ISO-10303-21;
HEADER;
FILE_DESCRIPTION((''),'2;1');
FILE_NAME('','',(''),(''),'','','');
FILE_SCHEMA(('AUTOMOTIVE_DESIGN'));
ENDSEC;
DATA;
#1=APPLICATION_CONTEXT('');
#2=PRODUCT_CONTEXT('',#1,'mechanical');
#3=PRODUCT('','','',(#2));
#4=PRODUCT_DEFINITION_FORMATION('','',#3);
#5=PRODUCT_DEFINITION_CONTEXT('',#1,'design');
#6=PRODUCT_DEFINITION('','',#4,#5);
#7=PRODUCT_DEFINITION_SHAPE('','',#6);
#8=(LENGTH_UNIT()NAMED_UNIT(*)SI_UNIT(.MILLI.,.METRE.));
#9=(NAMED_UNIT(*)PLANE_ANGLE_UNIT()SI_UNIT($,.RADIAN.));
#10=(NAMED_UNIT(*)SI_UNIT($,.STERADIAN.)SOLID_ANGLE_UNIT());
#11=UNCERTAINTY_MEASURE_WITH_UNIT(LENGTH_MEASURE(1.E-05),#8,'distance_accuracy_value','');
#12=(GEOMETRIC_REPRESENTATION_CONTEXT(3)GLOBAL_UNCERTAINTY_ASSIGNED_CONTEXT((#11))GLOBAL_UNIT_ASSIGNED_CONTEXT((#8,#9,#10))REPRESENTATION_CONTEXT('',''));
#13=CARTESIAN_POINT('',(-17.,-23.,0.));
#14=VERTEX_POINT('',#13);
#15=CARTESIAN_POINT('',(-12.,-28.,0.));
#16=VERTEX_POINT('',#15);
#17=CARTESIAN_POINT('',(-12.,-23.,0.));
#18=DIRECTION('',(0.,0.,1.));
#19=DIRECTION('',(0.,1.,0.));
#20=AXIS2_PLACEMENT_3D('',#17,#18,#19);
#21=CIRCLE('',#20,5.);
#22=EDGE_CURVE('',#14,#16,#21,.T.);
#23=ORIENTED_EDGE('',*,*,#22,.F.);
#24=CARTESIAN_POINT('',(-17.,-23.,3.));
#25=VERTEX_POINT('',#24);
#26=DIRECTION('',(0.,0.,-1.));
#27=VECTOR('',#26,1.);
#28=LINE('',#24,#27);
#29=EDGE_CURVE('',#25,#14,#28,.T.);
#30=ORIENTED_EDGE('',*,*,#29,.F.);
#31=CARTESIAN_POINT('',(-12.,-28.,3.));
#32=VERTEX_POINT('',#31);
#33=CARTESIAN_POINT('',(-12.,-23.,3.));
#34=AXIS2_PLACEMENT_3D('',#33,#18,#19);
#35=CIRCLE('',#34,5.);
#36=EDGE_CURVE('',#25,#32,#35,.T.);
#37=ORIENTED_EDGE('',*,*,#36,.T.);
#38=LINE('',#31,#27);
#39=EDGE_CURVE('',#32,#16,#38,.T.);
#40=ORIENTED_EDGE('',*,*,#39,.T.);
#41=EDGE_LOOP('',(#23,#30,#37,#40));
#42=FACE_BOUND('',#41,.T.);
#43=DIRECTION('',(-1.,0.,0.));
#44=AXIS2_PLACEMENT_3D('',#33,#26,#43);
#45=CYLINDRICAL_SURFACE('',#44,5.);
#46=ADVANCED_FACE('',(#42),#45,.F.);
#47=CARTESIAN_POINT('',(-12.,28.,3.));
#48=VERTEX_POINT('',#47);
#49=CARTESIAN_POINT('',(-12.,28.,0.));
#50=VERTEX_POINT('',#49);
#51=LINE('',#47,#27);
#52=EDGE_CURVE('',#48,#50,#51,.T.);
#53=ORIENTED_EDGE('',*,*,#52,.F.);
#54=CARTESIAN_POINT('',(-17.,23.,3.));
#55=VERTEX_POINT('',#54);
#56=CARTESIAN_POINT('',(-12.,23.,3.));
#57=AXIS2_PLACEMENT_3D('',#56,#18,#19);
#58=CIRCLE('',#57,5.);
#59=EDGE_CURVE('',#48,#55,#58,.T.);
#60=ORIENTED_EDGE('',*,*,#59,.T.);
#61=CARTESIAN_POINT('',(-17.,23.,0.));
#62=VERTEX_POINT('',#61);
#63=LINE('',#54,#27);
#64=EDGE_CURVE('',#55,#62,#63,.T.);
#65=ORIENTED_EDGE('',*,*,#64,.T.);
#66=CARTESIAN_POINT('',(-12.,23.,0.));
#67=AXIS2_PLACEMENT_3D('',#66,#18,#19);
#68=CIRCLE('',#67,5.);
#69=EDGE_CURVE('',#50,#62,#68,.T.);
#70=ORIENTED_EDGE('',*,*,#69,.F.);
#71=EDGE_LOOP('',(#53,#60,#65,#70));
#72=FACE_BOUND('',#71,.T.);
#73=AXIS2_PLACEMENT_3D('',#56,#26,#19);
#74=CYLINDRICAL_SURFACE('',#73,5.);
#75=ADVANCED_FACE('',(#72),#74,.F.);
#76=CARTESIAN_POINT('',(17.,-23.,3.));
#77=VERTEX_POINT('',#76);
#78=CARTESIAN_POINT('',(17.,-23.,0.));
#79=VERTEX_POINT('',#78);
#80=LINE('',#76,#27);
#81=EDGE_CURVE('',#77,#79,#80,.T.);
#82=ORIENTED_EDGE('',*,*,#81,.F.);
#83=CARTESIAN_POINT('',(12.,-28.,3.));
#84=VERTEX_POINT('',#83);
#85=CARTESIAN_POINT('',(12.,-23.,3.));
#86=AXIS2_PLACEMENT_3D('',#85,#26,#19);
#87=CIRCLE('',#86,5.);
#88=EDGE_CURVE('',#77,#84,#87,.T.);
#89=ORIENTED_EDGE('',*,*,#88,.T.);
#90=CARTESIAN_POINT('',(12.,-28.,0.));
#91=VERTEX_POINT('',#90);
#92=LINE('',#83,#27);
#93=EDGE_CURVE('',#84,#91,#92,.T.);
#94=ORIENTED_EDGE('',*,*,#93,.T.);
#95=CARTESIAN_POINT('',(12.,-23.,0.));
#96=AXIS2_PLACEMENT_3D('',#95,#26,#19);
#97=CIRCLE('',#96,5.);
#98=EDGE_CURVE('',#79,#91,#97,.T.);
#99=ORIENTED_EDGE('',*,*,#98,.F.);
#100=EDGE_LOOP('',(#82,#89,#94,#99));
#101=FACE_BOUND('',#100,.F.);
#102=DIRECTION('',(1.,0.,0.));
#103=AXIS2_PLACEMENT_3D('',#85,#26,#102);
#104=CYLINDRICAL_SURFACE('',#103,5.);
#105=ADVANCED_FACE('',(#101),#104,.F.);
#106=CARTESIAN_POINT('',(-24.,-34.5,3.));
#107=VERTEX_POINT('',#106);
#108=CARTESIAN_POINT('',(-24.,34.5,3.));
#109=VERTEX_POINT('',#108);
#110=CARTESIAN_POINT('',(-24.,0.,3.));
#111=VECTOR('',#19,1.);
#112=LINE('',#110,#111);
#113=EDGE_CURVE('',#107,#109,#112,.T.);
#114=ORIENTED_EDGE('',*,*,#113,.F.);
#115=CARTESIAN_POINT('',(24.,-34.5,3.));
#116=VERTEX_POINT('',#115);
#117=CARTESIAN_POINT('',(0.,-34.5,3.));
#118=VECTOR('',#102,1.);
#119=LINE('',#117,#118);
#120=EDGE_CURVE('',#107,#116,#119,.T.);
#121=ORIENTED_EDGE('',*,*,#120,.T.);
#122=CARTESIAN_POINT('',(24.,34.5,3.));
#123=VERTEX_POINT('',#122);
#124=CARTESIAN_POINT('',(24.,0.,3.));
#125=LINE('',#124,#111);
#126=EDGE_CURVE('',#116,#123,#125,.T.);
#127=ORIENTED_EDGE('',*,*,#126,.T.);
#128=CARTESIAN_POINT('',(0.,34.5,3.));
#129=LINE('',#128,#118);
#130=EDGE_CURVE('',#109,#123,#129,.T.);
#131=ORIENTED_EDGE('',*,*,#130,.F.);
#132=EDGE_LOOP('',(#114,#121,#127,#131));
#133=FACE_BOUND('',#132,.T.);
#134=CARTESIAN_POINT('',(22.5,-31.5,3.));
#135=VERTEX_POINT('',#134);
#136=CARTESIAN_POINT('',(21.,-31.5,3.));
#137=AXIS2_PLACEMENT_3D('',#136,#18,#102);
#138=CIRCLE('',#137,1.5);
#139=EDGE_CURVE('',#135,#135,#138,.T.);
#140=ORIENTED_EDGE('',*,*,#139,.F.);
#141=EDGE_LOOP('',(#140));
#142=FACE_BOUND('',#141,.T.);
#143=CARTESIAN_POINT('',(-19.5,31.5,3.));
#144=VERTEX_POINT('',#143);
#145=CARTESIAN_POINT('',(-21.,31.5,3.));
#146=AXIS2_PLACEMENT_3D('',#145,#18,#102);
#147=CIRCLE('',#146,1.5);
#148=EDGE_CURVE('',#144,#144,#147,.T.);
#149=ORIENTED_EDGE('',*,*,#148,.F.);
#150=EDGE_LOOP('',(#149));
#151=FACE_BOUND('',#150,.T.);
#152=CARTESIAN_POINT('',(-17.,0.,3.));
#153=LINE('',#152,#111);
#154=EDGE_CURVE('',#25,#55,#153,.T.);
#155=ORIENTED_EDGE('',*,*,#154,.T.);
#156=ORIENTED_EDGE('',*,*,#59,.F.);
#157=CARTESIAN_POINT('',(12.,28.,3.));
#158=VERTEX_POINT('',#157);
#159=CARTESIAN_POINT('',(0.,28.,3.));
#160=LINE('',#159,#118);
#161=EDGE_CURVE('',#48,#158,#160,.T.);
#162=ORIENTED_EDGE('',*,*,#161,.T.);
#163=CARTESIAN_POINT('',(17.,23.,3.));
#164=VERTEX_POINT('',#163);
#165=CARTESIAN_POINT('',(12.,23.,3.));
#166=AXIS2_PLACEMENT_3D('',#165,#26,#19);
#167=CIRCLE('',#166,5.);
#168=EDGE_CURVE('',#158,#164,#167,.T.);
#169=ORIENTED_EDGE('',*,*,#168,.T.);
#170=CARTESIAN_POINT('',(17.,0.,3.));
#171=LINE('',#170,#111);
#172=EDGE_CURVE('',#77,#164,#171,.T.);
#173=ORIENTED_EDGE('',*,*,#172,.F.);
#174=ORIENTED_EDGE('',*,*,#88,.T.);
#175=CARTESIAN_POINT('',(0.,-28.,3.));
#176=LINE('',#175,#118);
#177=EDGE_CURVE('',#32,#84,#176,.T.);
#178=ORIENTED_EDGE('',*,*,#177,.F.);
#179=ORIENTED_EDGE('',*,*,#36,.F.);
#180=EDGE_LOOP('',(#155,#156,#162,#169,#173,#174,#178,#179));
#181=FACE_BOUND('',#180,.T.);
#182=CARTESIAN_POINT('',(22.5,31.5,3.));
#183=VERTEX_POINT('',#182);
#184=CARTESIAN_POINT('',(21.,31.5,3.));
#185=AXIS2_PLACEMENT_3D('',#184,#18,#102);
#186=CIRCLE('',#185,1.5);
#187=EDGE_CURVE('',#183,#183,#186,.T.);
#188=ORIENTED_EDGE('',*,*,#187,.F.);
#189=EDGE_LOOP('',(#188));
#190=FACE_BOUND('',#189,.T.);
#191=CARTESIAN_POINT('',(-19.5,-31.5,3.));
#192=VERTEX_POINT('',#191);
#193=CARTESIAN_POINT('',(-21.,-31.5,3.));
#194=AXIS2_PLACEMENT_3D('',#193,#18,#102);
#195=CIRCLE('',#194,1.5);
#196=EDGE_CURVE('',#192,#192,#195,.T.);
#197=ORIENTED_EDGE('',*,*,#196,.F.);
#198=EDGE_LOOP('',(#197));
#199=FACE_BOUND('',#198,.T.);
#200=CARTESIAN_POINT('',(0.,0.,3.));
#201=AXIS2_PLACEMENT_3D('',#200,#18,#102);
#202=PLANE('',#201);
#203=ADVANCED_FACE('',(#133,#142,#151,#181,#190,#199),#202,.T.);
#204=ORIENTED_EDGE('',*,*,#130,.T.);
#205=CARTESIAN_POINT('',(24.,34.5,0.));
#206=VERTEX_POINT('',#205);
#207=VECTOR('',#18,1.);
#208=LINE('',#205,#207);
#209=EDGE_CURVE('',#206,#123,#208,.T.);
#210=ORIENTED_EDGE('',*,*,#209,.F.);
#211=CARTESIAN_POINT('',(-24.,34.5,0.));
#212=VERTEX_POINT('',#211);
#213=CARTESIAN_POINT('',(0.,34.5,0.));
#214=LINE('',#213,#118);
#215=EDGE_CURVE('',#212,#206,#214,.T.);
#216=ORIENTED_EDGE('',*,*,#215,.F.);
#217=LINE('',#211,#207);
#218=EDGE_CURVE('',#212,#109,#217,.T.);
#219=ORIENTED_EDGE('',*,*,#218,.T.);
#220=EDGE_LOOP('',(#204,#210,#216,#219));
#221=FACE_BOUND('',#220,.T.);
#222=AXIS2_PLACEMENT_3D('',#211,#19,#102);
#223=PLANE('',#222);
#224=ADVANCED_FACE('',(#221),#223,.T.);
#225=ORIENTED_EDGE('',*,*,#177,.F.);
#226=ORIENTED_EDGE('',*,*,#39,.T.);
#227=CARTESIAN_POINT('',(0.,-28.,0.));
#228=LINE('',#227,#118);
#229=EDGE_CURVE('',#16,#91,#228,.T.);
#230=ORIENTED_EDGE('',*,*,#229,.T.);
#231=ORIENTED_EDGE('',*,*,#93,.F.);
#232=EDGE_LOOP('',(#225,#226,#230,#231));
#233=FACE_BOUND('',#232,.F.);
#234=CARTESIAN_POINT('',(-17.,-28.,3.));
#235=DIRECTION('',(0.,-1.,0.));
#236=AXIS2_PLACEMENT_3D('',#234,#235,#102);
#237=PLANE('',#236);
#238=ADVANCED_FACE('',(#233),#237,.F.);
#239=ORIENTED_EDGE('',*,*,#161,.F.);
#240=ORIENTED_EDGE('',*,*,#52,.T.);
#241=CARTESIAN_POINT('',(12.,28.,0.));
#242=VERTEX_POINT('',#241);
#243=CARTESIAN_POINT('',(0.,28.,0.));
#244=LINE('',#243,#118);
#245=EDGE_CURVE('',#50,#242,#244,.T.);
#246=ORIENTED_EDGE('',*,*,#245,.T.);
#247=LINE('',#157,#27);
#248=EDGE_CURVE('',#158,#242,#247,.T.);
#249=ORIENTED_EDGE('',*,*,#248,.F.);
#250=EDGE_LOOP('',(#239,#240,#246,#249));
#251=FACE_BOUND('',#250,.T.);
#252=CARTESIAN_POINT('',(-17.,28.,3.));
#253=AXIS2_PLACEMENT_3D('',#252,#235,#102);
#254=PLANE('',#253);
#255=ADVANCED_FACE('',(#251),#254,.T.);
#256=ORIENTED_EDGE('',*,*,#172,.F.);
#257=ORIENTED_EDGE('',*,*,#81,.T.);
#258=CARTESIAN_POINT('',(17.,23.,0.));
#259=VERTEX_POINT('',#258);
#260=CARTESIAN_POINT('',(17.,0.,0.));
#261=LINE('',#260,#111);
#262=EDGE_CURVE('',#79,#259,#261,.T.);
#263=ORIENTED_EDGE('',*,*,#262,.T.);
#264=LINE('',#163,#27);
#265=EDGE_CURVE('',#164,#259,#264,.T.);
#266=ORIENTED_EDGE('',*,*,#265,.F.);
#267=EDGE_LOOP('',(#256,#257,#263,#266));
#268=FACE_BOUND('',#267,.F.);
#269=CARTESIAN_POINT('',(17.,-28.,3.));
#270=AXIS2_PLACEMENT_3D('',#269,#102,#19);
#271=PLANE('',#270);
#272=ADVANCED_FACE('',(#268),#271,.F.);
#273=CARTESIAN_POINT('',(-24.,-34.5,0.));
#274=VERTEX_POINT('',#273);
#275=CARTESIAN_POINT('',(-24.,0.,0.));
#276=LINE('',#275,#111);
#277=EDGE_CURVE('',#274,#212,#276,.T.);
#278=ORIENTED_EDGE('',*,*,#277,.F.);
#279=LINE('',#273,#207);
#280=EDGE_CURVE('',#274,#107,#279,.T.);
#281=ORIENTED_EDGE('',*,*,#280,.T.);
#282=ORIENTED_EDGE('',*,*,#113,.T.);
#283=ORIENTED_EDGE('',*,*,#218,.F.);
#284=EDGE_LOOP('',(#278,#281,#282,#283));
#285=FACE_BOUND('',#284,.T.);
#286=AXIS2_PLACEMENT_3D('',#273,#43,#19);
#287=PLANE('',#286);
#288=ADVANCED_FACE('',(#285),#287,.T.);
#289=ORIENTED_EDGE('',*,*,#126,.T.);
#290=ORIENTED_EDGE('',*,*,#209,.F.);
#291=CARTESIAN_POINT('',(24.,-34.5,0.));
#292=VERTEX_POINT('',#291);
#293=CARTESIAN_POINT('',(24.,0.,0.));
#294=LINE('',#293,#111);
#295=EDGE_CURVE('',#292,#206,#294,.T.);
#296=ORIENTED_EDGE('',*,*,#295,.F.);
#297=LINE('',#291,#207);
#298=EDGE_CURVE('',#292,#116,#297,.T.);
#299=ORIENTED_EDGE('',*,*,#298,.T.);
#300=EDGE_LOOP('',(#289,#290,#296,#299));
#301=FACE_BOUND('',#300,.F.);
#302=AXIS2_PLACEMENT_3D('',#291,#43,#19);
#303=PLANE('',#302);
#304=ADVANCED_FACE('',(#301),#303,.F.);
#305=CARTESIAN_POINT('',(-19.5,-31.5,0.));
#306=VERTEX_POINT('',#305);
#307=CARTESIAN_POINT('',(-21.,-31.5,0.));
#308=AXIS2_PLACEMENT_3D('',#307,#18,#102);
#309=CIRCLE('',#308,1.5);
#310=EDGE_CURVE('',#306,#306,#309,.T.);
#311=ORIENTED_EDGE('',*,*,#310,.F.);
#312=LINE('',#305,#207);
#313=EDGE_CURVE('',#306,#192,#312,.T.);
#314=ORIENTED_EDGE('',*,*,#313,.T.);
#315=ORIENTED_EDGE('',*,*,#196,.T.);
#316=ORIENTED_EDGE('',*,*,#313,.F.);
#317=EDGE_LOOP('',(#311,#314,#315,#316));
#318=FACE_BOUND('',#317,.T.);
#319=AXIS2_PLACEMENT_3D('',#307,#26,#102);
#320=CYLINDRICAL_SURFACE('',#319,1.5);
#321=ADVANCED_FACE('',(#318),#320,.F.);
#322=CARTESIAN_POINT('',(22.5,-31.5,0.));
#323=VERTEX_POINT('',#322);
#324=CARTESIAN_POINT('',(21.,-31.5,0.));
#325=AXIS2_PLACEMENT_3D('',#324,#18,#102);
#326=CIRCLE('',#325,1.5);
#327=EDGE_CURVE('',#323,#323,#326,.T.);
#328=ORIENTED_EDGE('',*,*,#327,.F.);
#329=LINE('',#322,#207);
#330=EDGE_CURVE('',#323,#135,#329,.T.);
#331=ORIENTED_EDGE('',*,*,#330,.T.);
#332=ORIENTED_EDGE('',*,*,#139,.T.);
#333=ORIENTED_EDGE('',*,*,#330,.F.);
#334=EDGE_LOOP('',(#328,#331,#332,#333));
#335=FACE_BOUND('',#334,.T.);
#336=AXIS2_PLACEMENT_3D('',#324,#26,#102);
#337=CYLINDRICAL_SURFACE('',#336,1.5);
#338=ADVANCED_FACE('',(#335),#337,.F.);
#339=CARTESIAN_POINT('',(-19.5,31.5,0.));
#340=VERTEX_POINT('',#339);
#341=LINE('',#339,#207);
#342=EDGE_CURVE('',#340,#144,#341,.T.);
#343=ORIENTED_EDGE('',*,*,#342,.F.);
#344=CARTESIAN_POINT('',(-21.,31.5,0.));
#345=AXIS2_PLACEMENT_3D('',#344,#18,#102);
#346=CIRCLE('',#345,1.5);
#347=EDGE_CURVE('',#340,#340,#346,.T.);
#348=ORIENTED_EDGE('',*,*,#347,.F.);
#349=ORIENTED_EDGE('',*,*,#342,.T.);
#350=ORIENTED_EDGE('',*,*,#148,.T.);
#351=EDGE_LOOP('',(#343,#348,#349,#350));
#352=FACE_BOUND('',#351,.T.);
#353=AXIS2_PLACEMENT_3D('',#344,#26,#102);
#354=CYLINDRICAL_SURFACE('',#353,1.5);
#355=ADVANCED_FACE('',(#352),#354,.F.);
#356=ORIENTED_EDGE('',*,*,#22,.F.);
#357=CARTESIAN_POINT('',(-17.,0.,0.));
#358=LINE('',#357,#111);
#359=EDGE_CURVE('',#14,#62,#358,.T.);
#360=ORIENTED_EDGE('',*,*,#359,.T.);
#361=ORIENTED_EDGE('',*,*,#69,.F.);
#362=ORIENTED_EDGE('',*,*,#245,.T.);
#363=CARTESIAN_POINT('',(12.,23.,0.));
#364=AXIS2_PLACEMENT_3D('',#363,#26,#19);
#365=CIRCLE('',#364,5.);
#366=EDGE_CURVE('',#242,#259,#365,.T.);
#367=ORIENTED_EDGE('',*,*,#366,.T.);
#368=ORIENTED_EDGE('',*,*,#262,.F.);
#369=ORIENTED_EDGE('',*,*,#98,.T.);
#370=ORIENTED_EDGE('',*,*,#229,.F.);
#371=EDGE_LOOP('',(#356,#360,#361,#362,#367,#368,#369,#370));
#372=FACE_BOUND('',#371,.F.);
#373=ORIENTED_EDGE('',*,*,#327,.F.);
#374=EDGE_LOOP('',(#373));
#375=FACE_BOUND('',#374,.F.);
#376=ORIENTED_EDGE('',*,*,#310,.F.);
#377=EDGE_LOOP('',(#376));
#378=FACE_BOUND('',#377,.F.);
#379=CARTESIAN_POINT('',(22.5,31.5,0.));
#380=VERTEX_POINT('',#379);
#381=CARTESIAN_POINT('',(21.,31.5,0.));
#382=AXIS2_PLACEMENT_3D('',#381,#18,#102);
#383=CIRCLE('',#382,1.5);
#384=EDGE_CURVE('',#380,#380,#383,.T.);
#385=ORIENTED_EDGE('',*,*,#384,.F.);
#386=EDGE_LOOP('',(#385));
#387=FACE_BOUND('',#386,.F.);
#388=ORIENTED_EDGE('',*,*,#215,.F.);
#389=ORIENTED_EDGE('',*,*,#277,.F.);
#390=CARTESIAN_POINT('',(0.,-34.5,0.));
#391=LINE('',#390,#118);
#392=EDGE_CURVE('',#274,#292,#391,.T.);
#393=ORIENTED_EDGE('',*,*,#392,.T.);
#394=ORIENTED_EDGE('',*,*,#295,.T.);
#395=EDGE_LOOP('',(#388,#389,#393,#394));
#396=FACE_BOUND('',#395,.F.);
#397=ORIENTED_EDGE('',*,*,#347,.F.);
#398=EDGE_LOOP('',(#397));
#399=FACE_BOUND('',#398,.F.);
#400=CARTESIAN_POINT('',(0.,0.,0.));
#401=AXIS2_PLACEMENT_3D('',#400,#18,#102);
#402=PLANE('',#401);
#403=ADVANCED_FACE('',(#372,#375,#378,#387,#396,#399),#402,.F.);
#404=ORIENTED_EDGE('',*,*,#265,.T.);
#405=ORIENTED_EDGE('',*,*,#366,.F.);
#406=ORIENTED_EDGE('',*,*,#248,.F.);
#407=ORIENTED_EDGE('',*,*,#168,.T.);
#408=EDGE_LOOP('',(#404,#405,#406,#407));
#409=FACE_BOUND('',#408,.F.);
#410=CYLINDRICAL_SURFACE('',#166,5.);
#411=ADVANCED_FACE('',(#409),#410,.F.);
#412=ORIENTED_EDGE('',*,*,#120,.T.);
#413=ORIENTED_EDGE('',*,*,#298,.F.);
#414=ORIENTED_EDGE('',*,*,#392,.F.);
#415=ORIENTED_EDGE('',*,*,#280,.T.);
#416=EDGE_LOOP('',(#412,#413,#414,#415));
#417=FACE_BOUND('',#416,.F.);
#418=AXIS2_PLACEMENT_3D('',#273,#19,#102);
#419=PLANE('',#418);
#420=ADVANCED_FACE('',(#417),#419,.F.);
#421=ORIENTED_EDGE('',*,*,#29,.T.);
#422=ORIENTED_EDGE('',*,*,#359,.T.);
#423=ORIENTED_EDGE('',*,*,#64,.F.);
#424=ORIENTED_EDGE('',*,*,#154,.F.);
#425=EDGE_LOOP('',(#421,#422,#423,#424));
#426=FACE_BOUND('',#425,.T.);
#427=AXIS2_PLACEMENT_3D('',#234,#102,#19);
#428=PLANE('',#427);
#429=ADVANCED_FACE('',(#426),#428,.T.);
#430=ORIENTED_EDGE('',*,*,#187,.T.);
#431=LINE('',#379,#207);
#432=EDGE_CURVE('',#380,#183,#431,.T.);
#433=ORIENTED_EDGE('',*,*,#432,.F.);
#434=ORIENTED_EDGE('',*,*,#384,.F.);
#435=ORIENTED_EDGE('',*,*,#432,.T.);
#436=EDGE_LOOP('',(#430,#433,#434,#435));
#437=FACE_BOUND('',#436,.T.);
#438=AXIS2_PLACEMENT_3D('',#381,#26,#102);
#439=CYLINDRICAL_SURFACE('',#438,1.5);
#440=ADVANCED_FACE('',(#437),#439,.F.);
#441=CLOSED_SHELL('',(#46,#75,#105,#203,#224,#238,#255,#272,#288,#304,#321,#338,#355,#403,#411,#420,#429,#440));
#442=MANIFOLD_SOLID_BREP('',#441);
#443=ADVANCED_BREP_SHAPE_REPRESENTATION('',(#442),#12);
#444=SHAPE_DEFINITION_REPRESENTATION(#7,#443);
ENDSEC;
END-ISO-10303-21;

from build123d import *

# Parameters (mm, degrees)
F0_W     = 48
F0_H     = 69
F0_R     = 1.5
F1_DEPTH = 3
F2_W     = 34
F2_H     = 56
F3_DEPTH = 3
F4_R     = 5
F5_R     = 5


with BuildPart() as f1:
    # F0 (on Top) → F1 (new body)
    with BuildSketch(Plane.XY):
        Rectangle(F0_W, F0_H)
        with Locations((-21, -31.5)):
            Circle(F0_R, mode=Mode.SUBTRACT)
        with Locations((21, -31.5)):
            Circle(F0_R, mode=Mode.SUBTRACT)
        with Locations((-21, 31.5)):
            Circle(F0_R, mode=Mode.SUBTRACT)
        with Locations((21, 31.5)):
            Circle(F0_R, mode=Mode.SUBTRACT)
    extrude(amount=F1_DEPTH)

    # F2 (on face) → F3 (cut, through all)
    with BuildSketch(Plane.XY.offset(3)):
        Rectangle(F2_W, F2_H)
    extrude(amount=-F3_DEPTH, mode=Mode.SUBTRACT)

    # F4
    f4_edges = [f1.edges().sort_by_distance(p)[0] for p in [
        (-17, 28, 1.5),
    ]]
    fillet(f4_edges, radius=F4_R)

    # F5
    f5_edges = [f1.edges().sort_by_distance(p)[0] for p in [
        (-17, -28, 1.5),
        (17, -28, 1.5),
        (17, 28, 1.5),
    ]]
    fillet(f5_edges, radius=F5_R)


solid = f1.part
